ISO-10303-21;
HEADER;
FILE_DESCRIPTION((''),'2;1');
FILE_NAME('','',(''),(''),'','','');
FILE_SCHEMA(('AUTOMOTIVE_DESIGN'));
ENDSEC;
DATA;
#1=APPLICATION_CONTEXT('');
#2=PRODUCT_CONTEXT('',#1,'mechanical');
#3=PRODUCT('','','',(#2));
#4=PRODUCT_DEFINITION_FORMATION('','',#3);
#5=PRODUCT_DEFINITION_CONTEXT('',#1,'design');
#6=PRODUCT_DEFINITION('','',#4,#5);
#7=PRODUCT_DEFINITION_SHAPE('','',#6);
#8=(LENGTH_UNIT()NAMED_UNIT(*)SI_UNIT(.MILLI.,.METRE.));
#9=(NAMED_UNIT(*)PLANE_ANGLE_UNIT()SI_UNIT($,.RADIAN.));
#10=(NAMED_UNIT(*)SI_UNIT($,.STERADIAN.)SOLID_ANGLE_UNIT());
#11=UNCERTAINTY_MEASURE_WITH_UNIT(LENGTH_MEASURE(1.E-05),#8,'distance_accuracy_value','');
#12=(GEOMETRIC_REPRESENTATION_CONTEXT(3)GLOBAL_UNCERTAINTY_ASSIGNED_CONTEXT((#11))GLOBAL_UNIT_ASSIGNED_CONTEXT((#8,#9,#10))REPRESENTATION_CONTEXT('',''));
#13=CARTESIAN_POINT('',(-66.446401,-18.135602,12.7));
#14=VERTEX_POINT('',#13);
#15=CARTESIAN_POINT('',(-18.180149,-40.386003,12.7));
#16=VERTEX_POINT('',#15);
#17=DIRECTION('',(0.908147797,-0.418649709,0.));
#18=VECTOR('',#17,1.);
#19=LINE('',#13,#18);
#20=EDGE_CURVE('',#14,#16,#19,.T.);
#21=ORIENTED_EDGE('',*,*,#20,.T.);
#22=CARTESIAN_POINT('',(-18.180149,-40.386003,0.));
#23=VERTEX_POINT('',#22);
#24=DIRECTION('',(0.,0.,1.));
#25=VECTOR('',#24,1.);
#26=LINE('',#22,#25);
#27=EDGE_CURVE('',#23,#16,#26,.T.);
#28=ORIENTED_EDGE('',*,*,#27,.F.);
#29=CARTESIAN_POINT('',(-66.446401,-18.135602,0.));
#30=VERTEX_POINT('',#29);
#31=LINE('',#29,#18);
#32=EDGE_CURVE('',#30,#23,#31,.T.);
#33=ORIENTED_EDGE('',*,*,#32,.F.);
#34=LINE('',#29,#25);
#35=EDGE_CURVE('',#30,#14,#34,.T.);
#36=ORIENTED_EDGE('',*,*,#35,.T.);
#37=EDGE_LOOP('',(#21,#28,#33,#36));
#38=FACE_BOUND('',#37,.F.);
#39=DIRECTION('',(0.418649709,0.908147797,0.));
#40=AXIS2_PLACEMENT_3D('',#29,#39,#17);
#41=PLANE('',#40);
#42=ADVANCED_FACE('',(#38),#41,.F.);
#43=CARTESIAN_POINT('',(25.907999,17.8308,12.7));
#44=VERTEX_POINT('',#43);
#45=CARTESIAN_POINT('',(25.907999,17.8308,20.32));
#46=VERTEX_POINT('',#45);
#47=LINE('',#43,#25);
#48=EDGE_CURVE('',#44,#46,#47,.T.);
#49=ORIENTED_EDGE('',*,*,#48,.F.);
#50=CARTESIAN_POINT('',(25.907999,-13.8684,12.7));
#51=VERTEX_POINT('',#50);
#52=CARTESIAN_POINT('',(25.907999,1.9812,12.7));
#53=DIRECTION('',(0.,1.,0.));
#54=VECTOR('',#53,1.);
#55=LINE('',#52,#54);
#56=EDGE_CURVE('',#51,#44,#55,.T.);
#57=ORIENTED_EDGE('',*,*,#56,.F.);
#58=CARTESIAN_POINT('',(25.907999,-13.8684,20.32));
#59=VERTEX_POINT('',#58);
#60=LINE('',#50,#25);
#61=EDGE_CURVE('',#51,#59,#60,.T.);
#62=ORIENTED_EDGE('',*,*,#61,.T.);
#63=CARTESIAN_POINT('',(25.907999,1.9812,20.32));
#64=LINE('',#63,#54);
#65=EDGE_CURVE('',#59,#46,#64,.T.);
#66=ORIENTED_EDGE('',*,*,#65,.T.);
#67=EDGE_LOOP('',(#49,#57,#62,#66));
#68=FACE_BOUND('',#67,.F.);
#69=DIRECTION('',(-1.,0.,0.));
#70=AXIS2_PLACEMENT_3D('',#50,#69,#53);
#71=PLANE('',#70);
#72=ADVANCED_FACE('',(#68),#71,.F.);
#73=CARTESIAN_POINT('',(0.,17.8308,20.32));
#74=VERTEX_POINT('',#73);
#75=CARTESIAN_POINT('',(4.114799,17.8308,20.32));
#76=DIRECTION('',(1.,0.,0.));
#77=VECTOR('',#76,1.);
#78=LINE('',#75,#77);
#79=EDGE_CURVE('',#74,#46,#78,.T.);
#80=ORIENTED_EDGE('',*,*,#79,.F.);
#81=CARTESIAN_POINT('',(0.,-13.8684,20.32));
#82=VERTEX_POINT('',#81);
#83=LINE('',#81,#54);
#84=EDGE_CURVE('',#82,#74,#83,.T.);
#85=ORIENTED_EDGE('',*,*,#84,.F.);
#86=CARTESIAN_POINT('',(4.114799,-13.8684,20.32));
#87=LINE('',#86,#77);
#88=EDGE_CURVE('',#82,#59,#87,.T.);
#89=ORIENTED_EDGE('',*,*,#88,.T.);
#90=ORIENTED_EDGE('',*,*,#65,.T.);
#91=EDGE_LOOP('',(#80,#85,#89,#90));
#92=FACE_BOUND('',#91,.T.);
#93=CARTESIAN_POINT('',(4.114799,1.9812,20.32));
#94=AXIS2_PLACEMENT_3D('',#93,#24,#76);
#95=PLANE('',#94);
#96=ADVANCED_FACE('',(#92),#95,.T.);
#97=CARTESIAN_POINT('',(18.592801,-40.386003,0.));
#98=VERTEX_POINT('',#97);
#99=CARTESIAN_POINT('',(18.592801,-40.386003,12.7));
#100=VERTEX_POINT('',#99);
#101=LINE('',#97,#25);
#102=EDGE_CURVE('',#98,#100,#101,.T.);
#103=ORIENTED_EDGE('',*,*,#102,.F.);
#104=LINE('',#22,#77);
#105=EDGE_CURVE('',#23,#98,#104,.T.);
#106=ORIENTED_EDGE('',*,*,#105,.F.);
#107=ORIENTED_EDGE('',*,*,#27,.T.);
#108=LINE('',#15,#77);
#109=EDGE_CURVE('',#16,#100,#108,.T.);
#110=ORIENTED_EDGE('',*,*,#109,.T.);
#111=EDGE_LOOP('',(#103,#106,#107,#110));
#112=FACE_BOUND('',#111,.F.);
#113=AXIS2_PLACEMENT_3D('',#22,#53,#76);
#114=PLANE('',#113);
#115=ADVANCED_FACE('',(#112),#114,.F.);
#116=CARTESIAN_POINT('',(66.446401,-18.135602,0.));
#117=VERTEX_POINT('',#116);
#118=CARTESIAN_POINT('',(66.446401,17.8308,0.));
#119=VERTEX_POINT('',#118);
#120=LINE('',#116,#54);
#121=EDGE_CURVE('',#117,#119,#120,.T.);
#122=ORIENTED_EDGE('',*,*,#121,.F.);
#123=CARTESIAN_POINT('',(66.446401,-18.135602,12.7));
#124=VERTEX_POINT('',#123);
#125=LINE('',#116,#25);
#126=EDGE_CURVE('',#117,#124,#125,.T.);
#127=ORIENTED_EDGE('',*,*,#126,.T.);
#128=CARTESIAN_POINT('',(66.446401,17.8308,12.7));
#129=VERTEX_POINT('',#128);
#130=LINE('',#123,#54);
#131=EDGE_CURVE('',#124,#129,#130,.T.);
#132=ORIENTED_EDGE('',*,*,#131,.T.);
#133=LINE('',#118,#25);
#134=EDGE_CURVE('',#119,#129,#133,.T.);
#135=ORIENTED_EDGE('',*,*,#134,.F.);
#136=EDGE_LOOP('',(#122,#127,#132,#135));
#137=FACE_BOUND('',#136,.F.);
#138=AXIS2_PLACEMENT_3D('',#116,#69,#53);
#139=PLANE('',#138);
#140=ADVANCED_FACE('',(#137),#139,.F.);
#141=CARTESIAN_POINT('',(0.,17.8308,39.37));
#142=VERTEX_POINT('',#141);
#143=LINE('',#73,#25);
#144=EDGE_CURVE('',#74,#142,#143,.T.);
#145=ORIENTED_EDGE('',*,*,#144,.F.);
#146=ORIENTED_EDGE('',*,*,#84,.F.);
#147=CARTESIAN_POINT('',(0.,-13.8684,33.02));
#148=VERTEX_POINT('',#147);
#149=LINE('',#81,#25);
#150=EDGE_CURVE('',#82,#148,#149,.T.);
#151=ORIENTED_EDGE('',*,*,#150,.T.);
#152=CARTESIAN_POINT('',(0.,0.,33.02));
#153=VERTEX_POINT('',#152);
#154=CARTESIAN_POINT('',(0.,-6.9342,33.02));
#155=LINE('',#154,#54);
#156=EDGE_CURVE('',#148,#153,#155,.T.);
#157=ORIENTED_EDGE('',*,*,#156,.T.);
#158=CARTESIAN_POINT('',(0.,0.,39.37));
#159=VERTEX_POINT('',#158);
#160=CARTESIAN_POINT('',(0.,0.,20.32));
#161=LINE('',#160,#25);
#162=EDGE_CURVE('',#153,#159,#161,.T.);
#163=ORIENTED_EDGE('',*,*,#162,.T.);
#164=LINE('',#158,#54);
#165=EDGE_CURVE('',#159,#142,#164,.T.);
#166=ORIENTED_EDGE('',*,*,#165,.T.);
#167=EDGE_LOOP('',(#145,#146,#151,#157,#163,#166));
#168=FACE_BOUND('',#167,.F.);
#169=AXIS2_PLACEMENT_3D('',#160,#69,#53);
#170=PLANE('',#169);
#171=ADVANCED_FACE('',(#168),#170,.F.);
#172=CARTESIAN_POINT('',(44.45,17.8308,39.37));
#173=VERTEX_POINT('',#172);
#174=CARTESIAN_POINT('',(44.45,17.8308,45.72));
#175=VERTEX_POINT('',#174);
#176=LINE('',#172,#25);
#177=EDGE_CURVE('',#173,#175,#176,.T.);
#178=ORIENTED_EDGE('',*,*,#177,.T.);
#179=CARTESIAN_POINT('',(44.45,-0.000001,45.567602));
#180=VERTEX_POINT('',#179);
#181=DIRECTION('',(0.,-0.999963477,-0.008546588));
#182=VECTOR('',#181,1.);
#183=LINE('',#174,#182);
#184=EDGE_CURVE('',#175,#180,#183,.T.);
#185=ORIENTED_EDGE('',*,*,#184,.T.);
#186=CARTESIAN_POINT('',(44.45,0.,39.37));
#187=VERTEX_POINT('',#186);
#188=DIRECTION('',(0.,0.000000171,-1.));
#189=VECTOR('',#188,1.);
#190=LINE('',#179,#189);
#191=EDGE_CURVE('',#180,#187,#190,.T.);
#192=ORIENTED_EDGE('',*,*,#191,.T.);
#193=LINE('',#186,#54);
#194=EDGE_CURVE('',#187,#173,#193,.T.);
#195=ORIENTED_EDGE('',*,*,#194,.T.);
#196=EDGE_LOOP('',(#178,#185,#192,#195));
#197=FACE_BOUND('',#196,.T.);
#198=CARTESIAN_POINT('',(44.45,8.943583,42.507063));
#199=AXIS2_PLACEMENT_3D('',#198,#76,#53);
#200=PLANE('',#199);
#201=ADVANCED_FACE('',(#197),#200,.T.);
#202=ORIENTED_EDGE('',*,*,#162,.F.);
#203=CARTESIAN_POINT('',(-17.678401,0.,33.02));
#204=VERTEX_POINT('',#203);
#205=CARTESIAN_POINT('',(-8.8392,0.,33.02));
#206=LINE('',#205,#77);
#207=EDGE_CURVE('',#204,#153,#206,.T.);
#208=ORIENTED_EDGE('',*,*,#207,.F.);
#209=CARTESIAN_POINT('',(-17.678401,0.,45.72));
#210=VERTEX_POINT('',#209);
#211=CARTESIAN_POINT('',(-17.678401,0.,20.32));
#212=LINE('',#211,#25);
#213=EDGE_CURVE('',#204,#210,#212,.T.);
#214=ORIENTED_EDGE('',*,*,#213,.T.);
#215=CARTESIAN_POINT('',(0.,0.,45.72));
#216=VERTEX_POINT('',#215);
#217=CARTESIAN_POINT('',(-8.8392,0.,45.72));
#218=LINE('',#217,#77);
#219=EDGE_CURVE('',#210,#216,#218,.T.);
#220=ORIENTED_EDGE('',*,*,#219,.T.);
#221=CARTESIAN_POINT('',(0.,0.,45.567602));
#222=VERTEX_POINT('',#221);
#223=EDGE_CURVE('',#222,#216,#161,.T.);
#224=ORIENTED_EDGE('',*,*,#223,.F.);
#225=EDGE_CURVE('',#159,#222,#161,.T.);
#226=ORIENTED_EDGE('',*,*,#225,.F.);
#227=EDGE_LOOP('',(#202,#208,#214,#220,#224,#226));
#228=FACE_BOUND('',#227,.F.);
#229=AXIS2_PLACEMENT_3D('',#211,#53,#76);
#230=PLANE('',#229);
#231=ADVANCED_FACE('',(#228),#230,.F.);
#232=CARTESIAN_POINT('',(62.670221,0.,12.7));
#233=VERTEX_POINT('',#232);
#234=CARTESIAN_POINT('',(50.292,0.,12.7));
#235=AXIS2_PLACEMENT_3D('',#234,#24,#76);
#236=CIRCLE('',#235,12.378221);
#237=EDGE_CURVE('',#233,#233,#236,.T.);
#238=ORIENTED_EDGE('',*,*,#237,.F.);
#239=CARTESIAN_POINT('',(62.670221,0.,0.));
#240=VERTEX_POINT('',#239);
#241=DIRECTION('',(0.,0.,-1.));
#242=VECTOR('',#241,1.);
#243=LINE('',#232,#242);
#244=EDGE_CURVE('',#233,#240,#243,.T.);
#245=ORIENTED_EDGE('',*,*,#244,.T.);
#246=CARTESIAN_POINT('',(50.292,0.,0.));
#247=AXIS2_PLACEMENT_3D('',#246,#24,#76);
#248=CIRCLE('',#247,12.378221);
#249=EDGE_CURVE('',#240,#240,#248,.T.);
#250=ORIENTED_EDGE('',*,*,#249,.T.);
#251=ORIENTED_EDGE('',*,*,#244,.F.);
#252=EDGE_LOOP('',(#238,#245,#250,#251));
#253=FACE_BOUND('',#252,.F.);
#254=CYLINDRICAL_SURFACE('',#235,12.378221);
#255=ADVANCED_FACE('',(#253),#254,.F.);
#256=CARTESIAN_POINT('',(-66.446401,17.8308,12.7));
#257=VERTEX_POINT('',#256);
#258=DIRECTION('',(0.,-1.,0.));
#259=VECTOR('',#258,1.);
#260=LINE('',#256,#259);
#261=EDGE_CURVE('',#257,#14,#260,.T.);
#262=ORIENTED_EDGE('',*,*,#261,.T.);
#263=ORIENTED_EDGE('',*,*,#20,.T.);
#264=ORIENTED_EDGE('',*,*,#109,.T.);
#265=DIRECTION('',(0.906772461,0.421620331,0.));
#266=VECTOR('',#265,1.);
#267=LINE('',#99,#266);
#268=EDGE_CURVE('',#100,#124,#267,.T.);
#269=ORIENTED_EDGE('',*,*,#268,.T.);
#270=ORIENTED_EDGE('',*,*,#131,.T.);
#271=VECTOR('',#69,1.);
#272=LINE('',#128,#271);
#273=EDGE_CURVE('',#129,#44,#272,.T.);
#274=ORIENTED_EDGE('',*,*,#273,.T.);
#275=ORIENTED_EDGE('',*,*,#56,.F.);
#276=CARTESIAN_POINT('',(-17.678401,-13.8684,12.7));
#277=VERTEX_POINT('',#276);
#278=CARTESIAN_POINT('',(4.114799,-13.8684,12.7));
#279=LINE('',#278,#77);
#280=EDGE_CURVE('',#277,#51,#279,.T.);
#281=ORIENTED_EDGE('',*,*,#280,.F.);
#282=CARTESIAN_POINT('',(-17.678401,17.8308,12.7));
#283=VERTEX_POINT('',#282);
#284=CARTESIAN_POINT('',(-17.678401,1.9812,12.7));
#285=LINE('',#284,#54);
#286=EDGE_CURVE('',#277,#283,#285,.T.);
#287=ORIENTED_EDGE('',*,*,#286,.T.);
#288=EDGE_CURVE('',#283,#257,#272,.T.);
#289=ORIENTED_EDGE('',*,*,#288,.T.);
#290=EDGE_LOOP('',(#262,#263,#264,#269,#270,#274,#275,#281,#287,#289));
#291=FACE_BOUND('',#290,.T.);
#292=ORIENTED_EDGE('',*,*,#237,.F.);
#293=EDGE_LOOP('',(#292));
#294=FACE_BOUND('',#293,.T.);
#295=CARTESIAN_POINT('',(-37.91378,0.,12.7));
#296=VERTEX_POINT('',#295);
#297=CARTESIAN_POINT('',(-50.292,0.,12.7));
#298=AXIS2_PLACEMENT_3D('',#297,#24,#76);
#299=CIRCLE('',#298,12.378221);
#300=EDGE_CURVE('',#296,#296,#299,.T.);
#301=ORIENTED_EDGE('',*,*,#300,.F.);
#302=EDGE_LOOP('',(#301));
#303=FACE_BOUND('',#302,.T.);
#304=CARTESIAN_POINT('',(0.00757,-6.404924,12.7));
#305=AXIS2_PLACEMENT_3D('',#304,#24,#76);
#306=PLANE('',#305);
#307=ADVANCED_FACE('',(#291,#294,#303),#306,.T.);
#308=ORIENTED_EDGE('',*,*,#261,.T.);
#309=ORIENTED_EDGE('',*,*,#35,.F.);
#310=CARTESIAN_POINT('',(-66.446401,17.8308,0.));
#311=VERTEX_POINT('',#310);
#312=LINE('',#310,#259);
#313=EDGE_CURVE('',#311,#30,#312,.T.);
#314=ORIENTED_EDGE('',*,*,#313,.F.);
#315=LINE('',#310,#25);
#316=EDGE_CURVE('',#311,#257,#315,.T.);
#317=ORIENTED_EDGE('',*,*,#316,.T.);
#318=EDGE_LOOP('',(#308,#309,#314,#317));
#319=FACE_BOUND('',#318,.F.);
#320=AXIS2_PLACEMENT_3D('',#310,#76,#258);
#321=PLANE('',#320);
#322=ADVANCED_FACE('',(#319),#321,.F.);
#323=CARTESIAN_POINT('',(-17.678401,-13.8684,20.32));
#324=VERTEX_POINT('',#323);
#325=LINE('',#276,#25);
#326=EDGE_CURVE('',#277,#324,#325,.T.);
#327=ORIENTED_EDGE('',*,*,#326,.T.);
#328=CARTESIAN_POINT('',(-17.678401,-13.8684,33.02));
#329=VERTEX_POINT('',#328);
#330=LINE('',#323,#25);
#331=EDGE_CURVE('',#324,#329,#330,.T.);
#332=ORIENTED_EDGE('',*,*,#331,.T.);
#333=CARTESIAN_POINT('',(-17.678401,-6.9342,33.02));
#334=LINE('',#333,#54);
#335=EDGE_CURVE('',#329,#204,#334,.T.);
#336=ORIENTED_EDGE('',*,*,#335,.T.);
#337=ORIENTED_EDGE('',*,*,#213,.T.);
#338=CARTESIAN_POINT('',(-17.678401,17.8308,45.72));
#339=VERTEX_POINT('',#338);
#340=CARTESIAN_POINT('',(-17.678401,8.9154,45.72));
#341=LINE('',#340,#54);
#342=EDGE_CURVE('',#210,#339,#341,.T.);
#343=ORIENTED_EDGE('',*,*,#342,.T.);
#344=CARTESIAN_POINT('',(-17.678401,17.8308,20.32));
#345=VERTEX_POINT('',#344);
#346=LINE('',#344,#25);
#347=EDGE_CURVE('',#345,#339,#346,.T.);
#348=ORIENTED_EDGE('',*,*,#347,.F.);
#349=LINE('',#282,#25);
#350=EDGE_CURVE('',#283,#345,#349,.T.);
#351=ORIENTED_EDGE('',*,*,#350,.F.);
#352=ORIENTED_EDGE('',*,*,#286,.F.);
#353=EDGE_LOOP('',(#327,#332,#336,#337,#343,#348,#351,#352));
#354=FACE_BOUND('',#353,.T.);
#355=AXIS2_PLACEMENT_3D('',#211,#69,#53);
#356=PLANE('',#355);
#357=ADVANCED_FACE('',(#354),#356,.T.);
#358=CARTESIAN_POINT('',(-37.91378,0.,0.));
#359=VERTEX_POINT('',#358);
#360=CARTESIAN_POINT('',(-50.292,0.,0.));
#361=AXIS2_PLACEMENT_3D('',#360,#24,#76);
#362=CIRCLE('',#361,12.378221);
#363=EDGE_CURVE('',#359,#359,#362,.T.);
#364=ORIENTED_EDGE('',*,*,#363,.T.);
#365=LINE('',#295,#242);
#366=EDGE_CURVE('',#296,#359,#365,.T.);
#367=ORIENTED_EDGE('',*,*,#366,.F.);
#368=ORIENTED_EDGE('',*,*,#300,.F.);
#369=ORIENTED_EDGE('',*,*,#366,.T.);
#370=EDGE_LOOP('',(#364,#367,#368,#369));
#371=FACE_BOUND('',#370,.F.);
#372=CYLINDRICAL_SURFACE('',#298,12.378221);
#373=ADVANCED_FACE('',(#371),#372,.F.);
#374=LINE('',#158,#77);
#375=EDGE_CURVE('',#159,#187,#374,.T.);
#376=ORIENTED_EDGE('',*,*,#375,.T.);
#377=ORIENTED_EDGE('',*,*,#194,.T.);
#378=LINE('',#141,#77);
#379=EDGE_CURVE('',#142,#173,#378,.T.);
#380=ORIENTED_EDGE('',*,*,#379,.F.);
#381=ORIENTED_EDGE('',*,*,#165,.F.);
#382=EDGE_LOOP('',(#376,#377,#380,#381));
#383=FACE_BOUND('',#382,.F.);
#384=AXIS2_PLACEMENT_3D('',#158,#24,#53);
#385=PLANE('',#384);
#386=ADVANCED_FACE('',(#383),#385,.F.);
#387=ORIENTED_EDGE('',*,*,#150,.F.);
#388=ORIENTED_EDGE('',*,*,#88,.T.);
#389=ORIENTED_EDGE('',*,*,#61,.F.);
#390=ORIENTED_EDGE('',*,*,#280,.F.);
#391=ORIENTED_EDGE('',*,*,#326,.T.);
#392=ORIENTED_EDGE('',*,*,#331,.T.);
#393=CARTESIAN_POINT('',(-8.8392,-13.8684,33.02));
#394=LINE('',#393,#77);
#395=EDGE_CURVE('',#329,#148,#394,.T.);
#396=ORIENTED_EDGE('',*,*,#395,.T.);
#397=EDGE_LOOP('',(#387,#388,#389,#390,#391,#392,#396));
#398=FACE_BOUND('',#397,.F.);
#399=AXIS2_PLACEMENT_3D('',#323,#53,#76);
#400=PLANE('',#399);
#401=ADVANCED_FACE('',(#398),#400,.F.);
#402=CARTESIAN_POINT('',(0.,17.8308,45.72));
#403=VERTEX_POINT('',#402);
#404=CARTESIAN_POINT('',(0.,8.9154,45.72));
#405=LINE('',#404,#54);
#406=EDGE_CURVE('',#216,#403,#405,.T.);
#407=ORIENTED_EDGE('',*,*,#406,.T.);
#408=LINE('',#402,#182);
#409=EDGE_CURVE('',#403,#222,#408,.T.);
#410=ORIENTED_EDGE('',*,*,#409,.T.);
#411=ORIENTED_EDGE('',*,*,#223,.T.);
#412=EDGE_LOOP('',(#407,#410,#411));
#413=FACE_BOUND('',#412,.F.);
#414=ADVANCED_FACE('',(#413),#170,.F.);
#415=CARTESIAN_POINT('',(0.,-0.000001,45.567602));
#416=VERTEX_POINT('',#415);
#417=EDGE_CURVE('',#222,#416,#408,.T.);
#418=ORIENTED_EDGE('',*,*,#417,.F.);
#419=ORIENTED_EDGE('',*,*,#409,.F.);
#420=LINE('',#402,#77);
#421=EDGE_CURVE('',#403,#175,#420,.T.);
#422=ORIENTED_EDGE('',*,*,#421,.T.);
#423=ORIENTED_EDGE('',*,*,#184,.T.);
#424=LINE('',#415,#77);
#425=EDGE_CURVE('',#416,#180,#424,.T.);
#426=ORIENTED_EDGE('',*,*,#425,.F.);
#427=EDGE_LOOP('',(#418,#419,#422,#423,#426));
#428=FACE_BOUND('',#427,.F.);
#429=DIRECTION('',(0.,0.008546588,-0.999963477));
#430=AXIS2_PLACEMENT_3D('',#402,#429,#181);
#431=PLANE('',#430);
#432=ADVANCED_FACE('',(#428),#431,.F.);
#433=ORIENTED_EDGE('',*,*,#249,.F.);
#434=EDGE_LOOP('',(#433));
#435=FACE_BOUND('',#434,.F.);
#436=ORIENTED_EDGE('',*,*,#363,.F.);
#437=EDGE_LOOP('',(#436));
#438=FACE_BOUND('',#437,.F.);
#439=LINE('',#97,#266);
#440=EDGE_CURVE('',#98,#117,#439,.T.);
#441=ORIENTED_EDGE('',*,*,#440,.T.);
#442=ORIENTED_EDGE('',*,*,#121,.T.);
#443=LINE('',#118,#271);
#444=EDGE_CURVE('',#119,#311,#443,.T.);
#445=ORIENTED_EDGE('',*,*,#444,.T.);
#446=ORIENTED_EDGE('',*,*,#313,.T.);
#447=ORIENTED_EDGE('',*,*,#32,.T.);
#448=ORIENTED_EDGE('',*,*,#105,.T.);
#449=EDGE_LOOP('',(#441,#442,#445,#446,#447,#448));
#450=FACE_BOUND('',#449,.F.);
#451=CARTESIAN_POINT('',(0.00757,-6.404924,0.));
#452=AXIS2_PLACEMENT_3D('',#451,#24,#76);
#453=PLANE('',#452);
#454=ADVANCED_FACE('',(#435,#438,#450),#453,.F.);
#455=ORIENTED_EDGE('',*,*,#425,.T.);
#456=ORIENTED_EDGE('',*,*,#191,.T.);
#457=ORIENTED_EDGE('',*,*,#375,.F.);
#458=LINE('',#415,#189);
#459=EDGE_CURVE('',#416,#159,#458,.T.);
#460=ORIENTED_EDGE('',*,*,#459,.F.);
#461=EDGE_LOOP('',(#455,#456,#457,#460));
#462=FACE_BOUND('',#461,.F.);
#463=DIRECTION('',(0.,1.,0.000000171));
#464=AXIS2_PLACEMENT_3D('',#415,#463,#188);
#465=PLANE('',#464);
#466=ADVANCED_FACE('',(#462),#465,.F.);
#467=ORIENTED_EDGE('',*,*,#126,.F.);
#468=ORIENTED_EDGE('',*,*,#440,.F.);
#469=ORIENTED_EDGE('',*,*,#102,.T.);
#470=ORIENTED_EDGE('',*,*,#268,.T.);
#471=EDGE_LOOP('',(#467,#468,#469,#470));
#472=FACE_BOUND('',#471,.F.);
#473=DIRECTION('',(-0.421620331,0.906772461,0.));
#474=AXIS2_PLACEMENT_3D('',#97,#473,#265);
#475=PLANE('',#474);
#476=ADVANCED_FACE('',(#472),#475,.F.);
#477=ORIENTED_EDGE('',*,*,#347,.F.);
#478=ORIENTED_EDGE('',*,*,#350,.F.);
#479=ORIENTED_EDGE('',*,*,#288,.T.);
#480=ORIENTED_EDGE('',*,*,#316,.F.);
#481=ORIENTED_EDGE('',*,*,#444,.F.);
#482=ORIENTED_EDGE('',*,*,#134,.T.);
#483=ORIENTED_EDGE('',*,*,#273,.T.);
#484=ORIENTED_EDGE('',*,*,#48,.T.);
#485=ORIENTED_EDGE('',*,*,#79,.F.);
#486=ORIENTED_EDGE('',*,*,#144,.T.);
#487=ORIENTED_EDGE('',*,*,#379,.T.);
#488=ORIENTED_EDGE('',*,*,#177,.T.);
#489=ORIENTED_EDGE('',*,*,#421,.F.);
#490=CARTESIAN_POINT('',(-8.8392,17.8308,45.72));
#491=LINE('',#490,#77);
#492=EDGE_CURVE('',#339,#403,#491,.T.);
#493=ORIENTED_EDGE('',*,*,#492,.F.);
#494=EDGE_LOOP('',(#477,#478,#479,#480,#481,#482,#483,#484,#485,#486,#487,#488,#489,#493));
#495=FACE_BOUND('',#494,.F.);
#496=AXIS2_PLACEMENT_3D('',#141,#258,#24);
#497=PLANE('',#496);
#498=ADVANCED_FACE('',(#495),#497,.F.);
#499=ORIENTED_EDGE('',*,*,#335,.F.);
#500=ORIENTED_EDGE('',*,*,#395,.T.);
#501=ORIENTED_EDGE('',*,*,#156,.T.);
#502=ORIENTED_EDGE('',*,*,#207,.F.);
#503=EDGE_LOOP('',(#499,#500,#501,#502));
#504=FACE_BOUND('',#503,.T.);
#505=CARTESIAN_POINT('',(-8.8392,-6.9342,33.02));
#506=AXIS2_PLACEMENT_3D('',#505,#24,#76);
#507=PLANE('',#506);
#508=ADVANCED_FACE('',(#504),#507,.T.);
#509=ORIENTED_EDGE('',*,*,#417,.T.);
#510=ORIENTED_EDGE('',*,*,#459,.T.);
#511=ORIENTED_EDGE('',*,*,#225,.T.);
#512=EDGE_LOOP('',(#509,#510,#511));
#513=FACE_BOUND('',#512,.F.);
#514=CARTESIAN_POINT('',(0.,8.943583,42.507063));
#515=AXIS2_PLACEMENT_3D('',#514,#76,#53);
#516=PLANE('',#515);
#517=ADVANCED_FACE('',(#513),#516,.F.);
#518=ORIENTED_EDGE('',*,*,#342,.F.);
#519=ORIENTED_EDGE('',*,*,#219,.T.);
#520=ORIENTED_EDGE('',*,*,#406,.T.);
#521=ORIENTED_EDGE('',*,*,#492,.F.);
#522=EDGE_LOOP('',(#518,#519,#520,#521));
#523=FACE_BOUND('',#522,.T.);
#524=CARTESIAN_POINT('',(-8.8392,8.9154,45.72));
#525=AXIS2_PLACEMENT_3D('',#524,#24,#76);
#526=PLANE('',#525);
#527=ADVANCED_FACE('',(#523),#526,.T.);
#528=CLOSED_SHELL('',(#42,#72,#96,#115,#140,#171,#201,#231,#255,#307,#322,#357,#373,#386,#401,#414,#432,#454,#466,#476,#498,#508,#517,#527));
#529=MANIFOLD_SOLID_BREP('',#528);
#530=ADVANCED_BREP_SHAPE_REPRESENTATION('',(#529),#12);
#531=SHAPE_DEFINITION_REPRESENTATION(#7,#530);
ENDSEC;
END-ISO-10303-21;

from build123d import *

# Parameters (mm, degrees)
F1_DEPTH  = 12.7
F2_R      = 12.3782206299
F3_DEPTH  = 25.4
F4_W      = 43.5863994062
F4_H      = 31.6992001608
F5_DEPTH  = 7.62
F6_W      = 17.6784005016
F6_H      = 13.8683998957
F7_DEPTH  = 12.7
F8_W      = 17.6784005016
F8_H      = 17.8308002651
F9_DEPTH  = 25.4
F11_DEPTH = 44.45


with BuildPart() as f1:
    # F0 (on Top) → F1 (new body)
    with BuildSketch(Plane.XY):
        Polygon((-66.4464011788, -18.1356016546), (-18.1801488484, -40.3860025108), (18.592800945, -40.3860025108), (66.4464011788, -18.1356016546), (66.4464011788, 17.8308002651), (-66.4464011788, 17.8308002651), align=None)
    extrude(amount=F1_DEPTH)

    # F2 (on face) → F3 (cut)
    with BuildSketch(Plane.XY.offset(12.7)):
        with Locations((50.2920001745, 0)):
            Circle(F2_R)
        with Locations((-50.2920001745, 0)):
            Circle(F2_R)
    extrude(amount=-F3_DEPTH, mode=Mode.SUBTRACT)

    # F4 (on face) → F5 (join)
    with BuildSketch(Plane.XY.offset(12.7)):
        with Locations((4.1147992015, 1.9812001847)):
            Rectangle(F4_W, F4_H)
    extrude(amount=F5_DEPTH)

    # F6 (on face) → F7 (join)
    with BuildSketch(Plane.XY.offset(20.32)):
        with Locations((-8.8392002508, -6.9341999479)):
            Rectangle(F6_W, F6_H)
    extrude(amount=F7_DEPTH)

    # F8 (on face) → F9 (join)
    with BuildSketch(Plane.XY.offset(20.32)):
        with Locations((-8.8392002508, 8.9154001325)):
            Rectangle(F8_W, F8_H)
    extrude(amount=F9_DEPTH)

    # F10 (on face) → F11 (join)
    with BuildSketch(Plane.YZ):
        Polygon((-1.0628e-06, 45.5676019192), (0, 39.37), (17.8308002651, 39.37), (17.8308002651, 45.72), align=None)
    extrude(amount=F11_DEPTH)


solid = f1.part
